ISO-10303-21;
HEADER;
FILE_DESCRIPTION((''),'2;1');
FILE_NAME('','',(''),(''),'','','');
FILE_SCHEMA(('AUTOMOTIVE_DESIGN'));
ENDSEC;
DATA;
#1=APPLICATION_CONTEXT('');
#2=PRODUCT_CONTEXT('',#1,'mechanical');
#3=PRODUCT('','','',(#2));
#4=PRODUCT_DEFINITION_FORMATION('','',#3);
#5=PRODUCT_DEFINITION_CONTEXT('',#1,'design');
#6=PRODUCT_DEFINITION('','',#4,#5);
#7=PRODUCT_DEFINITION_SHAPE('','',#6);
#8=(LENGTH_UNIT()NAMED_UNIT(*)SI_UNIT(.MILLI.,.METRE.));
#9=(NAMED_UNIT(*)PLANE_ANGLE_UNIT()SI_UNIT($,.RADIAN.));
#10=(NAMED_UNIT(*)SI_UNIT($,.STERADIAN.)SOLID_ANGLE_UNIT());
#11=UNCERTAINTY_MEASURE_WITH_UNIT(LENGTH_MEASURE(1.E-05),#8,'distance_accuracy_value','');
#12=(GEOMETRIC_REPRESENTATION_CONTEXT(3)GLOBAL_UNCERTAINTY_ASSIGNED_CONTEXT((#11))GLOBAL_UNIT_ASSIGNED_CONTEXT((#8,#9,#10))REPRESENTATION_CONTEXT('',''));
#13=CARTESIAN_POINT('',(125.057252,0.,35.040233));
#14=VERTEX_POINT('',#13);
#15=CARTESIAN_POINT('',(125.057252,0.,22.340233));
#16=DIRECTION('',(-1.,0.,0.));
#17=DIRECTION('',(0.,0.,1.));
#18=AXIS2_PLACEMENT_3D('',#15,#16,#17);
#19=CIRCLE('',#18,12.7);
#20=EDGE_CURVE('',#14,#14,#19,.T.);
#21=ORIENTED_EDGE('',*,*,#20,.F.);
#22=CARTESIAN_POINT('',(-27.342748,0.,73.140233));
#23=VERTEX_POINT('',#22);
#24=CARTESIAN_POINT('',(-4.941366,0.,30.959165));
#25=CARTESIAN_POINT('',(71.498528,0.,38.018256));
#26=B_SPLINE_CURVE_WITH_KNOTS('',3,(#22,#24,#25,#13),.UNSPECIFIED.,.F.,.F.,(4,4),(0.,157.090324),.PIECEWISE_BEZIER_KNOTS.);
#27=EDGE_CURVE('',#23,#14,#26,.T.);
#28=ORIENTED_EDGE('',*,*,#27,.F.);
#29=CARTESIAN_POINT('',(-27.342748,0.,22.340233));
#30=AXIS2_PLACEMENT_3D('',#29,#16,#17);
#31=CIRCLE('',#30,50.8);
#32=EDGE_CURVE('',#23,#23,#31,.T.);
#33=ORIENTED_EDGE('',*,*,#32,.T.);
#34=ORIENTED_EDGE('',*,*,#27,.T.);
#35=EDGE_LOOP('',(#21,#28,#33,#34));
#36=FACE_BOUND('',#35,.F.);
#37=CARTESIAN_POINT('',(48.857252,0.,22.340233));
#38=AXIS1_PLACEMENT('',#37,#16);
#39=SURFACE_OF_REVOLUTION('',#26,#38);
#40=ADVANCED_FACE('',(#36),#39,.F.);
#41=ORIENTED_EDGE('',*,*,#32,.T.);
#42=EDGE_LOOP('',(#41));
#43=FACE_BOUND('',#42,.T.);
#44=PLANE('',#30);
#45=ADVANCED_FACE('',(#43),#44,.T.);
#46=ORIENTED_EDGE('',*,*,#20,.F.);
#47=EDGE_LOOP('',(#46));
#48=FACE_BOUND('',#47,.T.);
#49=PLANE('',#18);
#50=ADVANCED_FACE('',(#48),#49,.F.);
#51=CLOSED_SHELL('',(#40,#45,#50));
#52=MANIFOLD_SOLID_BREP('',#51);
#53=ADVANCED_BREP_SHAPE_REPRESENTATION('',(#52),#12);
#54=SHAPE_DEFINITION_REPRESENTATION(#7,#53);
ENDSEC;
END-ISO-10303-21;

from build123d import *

# Parameters (mm, degrees)
F0_W = 152.4
F0_H = 12.7


with BuildPart() as f1:
    # F0 (on Front) → F1 (revolve)
    with BuildSketch(Plane.XZ):
        with Locations((48.857252, 28.690233)):
            Rectangle(F0_W, F0_H)
        with BuildLine():
            Line((-27.342748, 35.040233), (125.057252, 35.040233))
            add(Edge.make_bspline(
                [(-27.342748, 73.140233), (-4.941366, 30.959165), (71.498528, 38.018256), (125.057252, 35.040233)],
                knots=[0, 0, 0, 0, 157.090324, 157.090324, 157.090324, 157.090324], degree=3))
            Line((-27.342748, 73.140233), (-27.342748, 35.040233))
        make_face()
    revolve(axis=Axis((48.857252, 0, 22.340233), (-1, 0, 0)))


solid = f1.part
